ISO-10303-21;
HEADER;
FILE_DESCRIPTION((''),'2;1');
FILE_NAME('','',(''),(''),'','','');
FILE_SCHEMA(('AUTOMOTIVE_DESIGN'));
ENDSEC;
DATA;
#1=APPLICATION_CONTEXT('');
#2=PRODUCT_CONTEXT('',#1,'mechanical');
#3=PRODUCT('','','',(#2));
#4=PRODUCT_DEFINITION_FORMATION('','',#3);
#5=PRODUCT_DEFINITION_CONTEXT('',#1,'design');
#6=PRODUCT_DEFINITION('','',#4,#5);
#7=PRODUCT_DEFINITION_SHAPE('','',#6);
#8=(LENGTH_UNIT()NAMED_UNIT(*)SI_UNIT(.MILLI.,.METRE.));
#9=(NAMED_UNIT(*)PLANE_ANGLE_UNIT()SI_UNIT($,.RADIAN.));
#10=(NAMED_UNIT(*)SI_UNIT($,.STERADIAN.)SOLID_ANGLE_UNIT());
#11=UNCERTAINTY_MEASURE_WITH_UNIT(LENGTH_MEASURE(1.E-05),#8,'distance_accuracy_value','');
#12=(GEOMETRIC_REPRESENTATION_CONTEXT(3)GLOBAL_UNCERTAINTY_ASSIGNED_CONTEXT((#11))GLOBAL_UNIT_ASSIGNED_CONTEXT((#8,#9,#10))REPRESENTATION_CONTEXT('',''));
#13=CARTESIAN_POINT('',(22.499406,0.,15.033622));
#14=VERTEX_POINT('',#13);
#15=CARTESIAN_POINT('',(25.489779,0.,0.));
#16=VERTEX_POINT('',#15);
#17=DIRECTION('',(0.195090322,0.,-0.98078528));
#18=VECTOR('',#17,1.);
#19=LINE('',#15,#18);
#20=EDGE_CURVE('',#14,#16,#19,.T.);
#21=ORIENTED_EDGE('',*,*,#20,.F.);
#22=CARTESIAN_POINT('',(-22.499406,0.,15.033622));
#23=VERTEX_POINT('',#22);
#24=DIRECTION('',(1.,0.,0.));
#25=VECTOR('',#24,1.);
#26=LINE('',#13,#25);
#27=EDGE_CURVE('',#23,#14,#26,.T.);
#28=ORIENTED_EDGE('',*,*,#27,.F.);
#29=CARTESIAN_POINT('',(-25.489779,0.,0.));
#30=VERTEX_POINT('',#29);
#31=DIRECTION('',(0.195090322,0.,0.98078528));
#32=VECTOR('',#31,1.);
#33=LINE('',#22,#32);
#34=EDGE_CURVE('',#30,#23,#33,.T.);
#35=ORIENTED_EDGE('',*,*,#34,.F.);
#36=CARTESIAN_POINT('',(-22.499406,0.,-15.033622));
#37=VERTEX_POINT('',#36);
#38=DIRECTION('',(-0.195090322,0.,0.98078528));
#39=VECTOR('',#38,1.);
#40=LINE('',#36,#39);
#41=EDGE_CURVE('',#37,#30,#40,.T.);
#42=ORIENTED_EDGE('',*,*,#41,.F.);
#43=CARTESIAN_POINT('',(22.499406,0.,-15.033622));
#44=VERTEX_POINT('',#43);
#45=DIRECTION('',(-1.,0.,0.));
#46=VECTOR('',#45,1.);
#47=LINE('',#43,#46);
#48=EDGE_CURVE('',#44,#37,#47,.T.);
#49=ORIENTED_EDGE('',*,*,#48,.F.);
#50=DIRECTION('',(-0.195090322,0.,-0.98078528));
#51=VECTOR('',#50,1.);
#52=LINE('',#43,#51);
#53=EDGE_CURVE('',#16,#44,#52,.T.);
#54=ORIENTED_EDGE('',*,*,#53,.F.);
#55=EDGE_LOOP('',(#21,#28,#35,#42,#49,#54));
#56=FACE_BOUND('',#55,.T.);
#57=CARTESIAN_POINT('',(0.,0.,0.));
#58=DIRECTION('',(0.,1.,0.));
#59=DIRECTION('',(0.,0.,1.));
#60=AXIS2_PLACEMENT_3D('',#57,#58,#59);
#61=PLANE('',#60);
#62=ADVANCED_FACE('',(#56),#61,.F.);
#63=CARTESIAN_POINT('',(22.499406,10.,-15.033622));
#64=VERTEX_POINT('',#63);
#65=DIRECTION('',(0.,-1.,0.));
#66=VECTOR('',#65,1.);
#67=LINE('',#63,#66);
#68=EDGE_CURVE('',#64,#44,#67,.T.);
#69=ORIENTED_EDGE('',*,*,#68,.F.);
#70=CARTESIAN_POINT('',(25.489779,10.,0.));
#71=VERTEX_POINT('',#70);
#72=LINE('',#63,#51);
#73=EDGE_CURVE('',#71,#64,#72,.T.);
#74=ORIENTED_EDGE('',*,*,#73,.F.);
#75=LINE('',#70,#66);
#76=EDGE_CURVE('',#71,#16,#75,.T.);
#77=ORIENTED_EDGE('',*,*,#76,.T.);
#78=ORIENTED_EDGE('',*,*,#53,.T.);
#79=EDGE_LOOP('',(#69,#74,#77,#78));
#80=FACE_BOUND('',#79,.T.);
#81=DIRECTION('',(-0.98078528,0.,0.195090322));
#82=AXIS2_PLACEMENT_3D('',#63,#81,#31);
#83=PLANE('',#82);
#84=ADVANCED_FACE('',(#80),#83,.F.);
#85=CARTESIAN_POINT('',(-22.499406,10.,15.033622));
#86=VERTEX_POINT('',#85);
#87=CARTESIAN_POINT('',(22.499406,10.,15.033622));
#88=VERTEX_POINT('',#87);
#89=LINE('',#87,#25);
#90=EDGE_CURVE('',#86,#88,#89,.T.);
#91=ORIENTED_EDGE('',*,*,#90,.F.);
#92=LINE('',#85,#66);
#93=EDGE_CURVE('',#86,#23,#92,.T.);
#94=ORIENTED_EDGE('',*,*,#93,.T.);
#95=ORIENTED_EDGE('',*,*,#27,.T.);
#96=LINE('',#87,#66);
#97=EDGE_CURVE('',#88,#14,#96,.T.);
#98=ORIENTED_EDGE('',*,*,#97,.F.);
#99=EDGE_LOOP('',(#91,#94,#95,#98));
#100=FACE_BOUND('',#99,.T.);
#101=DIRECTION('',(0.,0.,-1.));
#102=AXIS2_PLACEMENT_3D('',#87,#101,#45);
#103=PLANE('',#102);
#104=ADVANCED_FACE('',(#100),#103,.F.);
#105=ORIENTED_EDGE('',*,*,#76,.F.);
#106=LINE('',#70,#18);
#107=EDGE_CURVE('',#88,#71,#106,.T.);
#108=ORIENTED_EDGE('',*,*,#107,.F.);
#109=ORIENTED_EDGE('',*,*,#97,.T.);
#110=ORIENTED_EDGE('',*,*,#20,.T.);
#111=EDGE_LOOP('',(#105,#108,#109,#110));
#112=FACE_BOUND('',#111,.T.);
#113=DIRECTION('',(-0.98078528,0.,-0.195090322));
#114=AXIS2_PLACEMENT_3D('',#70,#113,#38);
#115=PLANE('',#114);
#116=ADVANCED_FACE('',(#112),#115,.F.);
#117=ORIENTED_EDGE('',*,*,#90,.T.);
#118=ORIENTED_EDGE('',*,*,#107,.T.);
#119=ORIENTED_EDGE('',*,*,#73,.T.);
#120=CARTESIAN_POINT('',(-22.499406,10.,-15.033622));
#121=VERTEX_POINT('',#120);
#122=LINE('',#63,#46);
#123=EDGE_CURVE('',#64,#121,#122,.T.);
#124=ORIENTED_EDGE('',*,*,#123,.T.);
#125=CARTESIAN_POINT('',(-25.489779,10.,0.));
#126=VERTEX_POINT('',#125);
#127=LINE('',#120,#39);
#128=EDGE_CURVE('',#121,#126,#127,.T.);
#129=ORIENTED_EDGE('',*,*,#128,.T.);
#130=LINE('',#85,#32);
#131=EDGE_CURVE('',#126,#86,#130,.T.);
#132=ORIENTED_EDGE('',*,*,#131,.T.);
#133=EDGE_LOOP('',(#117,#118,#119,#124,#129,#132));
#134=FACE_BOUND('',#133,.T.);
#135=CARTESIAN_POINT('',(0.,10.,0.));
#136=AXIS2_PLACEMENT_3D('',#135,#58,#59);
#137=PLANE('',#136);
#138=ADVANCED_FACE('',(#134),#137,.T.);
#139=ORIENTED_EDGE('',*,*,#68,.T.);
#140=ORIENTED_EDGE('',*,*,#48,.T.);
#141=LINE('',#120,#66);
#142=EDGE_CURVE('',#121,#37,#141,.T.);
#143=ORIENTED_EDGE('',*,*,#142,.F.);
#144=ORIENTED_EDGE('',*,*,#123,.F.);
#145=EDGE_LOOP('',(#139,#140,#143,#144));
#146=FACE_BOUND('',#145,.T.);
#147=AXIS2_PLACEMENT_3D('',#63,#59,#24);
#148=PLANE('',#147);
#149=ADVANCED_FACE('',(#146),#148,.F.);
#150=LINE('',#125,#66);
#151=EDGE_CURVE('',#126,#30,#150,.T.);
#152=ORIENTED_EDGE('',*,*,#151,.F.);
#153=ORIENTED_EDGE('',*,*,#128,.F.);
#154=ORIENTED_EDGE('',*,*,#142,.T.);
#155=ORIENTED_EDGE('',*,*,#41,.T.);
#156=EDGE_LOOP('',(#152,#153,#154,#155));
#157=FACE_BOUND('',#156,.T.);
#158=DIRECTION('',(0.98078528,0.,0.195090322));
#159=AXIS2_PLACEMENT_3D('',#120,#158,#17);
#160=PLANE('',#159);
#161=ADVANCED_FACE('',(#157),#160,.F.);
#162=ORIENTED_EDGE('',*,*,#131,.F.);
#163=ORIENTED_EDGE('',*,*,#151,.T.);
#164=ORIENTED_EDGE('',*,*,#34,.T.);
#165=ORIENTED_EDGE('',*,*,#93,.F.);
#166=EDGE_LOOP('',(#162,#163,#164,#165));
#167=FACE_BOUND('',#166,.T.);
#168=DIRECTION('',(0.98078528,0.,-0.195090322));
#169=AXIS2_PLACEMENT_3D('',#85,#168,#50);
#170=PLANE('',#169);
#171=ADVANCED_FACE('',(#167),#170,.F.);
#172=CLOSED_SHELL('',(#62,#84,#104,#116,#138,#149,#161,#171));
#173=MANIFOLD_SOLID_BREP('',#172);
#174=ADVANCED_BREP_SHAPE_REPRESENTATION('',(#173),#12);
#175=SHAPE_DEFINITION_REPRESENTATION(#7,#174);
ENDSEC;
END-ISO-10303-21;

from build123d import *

# Parameters (mm, degrees)
BOSS_EXTRUDE1_DEPTH = 10


with BuildPart() as part:
    # Sketch1 → Boss-Extrude1 (new body)
    with BuildSketch(Plane(origin=(0, 0, 0), x_dir=(1, 0, 0), z_dir=(0, 1, 0))):
        Polygon((22.499405578, 15.033622173), (25.489778955, 0), (22.499405578, -15.033622173), (-22.499405578, -15.033622173), (-25.489778955, 0), (-22.499405578, 15.033622173), align=None)
    extrude(amount=BOSS_EXTRUDE1_DEPTH)


solid = part.part
